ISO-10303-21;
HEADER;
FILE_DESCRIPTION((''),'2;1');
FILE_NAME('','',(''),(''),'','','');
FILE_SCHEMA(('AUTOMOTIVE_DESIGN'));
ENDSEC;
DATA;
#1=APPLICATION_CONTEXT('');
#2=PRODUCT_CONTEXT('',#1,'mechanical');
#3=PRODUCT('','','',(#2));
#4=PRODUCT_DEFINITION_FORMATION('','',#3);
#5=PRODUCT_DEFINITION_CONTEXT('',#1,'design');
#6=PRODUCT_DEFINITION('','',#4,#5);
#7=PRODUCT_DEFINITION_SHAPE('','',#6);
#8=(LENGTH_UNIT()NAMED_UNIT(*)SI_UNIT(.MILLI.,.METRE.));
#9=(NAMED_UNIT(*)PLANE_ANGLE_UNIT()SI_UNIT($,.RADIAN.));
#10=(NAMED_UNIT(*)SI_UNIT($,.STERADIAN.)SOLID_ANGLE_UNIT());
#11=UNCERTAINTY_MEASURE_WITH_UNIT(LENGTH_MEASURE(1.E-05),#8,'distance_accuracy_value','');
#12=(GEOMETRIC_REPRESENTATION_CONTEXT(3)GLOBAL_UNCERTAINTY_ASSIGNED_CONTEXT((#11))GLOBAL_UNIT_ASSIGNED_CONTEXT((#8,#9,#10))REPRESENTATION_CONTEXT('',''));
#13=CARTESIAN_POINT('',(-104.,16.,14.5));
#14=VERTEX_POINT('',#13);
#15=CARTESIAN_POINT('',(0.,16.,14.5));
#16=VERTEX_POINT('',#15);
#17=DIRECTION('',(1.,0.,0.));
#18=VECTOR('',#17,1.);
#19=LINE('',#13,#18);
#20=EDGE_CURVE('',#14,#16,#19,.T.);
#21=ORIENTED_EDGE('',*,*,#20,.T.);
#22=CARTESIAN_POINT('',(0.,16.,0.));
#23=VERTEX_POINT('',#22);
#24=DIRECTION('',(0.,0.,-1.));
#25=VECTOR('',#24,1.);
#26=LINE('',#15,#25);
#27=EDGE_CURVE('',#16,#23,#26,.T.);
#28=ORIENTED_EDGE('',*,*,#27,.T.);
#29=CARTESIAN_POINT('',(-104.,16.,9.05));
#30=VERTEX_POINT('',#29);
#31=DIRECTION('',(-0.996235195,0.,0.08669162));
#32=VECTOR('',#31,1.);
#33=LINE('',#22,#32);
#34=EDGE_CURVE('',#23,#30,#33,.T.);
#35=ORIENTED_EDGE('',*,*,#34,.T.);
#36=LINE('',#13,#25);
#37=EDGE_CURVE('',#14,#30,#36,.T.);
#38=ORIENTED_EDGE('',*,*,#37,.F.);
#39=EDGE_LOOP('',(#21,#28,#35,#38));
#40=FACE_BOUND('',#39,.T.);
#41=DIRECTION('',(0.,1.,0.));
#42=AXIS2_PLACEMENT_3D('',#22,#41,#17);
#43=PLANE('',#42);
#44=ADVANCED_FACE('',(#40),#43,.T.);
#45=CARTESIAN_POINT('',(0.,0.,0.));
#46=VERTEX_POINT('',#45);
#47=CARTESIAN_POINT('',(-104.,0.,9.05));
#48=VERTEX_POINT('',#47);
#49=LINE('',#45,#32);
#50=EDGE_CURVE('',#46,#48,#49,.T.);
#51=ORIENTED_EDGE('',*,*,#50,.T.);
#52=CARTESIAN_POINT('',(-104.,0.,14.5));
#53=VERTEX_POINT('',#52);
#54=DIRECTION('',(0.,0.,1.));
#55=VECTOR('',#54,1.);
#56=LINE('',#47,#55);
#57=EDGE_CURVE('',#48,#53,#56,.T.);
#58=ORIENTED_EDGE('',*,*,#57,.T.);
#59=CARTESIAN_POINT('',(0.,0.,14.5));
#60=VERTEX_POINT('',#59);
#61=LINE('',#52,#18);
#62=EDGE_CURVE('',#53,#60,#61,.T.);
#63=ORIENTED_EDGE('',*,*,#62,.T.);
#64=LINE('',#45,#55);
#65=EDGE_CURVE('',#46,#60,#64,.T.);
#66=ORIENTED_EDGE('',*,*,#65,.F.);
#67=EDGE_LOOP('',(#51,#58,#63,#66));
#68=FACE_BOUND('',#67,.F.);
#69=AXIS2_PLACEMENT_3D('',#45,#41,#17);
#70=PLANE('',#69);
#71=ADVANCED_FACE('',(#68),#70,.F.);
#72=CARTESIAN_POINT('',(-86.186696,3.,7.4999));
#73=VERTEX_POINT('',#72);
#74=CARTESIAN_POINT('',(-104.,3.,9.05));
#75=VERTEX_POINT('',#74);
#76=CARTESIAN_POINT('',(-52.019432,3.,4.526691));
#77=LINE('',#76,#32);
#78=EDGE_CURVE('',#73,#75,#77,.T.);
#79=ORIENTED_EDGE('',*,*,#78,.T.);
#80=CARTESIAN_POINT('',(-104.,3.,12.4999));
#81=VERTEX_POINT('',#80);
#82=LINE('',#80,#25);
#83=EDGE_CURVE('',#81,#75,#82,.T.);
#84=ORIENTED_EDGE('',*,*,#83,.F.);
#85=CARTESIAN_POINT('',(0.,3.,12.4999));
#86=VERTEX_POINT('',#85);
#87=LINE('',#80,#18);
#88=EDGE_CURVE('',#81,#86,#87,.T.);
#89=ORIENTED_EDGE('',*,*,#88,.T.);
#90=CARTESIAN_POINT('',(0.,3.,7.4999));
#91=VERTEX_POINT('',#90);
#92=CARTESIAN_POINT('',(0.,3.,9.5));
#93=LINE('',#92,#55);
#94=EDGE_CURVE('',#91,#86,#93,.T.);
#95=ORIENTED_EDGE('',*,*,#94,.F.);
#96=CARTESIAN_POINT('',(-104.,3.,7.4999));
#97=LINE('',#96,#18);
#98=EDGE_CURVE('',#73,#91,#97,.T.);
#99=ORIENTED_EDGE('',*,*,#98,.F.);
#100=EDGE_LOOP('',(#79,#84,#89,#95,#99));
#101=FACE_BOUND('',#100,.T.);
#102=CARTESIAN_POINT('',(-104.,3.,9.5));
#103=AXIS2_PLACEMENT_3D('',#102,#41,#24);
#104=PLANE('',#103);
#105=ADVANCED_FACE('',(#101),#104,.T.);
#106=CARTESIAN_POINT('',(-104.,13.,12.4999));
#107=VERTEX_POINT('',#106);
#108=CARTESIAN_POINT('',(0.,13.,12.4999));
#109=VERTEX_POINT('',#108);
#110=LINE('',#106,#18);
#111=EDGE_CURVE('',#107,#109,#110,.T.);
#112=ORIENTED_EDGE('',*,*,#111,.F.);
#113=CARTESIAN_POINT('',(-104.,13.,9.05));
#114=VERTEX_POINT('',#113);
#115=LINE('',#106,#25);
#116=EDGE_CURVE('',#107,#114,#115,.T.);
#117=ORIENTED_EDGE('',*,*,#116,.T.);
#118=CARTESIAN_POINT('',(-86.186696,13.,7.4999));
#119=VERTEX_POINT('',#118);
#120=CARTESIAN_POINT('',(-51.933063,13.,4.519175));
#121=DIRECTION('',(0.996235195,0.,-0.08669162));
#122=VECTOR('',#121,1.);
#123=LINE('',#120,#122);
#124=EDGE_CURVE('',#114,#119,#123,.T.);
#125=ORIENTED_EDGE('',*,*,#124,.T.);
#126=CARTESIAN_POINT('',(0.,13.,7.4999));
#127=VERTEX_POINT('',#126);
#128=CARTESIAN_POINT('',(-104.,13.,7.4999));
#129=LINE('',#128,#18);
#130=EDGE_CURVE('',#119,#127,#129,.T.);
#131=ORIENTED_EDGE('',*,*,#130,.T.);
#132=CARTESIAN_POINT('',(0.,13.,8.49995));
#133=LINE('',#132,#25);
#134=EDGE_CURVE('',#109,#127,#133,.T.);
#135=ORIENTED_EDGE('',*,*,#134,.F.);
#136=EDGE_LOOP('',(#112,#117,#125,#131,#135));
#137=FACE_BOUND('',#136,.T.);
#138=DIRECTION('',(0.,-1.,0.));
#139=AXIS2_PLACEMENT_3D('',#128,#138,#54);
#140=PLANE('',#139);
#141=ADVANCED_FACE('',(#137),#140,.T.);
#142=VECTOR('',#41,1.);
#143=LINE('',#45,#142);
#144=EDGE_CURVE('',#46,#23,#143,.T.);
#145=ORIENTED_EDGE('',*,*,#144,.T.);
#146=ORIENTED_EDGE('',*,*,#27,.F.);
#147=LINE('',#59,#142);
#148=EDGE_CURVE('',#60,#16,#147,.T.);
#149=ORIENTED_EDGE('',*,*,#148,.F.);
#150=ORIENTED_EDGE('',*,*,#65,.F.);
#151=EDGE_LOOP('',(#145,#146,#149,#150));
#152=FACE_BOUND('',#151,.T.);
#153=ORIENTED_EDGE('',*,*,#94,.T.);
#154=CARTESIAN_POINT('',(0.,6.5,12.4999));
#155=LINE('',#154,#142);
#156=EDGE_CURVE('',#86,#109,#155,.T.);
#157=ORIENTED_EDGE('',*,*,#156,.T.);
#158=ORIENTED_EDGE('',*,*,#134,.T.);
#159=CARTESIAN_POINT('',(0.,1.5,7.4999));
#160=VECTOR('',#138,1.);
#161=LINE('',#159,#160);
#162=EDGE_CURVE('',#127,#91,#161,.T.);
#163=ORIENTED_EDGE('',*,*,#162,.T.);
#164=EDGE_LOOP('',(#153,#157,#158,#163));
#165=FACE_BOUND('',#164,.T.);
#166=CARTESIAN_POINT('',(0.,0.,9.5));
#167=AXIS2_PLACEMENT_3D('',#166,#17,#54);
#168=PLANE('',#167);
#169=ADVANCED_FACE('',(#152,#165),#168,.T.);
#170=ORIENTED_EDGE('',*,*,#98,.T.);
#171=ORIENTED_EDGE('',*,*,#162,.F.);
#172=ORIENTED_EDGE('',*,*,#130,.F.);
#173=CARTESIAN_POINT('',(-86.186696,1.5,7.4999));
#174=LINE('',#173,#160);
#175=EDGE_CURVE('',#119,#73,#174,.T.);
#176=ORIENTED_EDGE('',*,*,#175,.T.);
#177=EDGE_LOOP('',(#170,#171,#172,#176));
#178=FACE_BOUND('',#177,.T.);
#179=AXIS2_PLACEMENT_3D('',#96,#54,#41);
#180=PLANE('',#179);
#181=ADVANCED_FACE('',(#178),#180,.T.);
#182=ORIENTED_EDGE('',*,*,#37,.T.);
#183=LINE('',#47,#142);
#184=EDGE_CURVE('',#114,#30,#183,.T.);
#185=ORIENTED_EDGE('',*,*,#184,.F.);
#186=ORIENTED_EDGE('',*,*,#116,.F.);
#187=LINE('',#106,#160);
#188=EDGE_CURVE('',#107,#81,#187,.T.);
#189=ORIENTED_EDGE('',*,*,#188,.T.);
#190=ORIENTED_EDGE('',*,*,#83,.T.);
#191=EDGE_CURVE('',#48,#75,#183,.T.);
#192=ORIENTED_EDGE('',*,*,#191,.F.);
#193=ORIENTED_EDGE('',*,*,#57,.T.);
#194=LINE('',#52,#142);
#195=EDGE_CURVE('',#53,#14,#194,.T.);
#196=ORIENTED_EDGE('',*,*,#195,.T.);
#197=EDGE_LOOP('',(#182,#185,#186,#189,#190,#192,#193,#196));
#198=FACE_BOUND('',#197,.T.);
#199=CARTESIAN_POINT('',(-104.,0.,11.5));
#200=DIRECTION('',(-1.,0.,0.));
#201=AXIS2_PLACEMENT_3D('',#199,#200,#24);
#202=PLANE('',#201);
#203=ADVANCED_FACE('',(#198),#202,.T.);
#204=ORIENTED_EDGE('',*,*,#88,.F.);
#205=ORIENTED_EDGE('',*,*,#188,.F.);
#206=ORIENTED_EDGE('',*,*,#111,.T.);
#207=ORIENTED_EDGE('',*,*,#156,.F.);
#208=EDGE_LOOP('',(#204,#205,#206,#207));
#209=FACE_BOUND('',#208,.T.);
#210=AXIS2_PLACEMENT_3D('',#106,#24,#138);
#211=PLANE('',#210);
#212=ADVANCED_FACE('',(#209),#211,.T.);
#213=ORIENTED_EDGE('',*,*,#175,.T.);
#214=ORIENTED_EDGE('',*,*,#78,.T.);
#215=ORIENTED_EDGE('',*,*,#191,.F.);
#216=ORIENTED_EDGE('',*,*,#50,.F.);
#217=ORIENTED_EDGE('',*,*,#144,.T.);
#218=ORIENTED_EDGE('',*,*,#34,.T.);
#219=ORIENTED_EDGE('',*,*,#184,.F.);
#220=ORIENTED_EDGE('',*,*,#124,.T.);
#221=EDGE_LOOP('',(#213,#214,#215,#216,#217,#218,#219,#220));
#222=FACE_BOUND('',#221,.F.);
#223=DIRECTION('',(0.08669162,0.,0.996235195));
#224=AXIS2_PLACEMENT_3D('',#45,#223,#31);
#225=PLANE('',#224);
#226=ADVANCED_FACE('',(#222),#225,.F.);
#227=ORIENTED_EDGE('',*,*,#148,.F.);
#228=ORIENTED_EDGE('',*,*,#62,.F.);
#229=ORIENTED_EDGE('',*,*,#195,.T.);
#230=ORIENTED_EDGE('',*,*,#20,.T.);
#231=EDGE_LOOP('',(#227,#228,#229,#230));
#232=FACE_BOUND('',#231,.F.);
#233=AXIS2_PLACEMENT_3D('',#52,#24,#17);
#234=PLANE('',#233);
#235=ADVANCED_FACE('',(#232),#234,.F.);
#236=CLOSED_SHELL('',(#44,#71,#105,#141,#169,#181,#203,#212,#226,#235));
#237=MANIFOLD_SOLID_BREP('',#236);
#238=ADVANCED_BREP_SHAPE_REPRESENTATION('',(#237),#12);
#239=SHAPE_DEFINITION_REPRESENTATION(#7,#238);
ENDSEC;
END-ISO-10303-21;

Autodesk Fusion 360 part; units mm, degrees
sketch "Skizze1" plane through (0, 0, 0) normal (0, 1, 0) x (1, 0, 0)
  line L0 (-104, -11.5) -> (-104, -9.5)
  line L1 (0, -9.5) -> (0, -11.5)
  line L2 (-104, -9.5) -> (0, -9.5)
  line L3 (0, -9.5) -> (0, 0)
  line L4 (-104, -9.5) -> (-104, -9.05)
  line L5 (0, 0) -> (-104, -9.05)
  line L6 (0, -11.5) -> (-104, -11.5)
  line L7 (-104, -11.5) -> (-104, -14.5)
  line L8 (-104, -14.5) -> (0, -14.5)
  line L9 (0, -14.5) -> (0, -11.5)
  dimension "d2" = 2
  dimension "d3" = 104
  dimension "d4" = 3
  dimension "d5" = 2
extrude "Extrusion1" add sketch "Skizze1" along normal blind 16
sketch "Skizze2" plane through (-104, 0, -0.0001) normal (-1, 0, 0) x (0, -1, 0)
  line L0 (0, 9.5001) -> (0, 11.5001)
  line L1 (0, 11.5001) -> (-16, 11.5001)
  line L2 (-16, 11.5001) -> (-16, 9.5001)
  line L3 (-16, 9.5001) -> (0, 9.5001)
  line L4 (-13, 14.5) -> (-13, 12.5)
  line L5 (-13, 12.5) -> (-16, 12.5)
  line L6 (-13, 12.5) -> (-3, 12.5)
  line L7 (-3, 12.5) -> (0, 12.5)
  line L8 (0, 12.5) -> (-3, 12.5)
  line L9 (-3, 12.5) -> (-3, 7.5)
  line L10 (-3, 7.5) -> (-13, 7.5)
  line L11 (-13, 7.5) -> (-13, 12.5)
  dimension "d11" = 3
  dimension "d12" = 10
  dimension "d13" = 3
  dimension "d14" = 5
extrude "Extrusion2" cut sketch "Skizze2" against normal blind 105.5 contours L3 L9 L10 L11 | L1 L3 L9 L11 | L1 L6 L9 L11
